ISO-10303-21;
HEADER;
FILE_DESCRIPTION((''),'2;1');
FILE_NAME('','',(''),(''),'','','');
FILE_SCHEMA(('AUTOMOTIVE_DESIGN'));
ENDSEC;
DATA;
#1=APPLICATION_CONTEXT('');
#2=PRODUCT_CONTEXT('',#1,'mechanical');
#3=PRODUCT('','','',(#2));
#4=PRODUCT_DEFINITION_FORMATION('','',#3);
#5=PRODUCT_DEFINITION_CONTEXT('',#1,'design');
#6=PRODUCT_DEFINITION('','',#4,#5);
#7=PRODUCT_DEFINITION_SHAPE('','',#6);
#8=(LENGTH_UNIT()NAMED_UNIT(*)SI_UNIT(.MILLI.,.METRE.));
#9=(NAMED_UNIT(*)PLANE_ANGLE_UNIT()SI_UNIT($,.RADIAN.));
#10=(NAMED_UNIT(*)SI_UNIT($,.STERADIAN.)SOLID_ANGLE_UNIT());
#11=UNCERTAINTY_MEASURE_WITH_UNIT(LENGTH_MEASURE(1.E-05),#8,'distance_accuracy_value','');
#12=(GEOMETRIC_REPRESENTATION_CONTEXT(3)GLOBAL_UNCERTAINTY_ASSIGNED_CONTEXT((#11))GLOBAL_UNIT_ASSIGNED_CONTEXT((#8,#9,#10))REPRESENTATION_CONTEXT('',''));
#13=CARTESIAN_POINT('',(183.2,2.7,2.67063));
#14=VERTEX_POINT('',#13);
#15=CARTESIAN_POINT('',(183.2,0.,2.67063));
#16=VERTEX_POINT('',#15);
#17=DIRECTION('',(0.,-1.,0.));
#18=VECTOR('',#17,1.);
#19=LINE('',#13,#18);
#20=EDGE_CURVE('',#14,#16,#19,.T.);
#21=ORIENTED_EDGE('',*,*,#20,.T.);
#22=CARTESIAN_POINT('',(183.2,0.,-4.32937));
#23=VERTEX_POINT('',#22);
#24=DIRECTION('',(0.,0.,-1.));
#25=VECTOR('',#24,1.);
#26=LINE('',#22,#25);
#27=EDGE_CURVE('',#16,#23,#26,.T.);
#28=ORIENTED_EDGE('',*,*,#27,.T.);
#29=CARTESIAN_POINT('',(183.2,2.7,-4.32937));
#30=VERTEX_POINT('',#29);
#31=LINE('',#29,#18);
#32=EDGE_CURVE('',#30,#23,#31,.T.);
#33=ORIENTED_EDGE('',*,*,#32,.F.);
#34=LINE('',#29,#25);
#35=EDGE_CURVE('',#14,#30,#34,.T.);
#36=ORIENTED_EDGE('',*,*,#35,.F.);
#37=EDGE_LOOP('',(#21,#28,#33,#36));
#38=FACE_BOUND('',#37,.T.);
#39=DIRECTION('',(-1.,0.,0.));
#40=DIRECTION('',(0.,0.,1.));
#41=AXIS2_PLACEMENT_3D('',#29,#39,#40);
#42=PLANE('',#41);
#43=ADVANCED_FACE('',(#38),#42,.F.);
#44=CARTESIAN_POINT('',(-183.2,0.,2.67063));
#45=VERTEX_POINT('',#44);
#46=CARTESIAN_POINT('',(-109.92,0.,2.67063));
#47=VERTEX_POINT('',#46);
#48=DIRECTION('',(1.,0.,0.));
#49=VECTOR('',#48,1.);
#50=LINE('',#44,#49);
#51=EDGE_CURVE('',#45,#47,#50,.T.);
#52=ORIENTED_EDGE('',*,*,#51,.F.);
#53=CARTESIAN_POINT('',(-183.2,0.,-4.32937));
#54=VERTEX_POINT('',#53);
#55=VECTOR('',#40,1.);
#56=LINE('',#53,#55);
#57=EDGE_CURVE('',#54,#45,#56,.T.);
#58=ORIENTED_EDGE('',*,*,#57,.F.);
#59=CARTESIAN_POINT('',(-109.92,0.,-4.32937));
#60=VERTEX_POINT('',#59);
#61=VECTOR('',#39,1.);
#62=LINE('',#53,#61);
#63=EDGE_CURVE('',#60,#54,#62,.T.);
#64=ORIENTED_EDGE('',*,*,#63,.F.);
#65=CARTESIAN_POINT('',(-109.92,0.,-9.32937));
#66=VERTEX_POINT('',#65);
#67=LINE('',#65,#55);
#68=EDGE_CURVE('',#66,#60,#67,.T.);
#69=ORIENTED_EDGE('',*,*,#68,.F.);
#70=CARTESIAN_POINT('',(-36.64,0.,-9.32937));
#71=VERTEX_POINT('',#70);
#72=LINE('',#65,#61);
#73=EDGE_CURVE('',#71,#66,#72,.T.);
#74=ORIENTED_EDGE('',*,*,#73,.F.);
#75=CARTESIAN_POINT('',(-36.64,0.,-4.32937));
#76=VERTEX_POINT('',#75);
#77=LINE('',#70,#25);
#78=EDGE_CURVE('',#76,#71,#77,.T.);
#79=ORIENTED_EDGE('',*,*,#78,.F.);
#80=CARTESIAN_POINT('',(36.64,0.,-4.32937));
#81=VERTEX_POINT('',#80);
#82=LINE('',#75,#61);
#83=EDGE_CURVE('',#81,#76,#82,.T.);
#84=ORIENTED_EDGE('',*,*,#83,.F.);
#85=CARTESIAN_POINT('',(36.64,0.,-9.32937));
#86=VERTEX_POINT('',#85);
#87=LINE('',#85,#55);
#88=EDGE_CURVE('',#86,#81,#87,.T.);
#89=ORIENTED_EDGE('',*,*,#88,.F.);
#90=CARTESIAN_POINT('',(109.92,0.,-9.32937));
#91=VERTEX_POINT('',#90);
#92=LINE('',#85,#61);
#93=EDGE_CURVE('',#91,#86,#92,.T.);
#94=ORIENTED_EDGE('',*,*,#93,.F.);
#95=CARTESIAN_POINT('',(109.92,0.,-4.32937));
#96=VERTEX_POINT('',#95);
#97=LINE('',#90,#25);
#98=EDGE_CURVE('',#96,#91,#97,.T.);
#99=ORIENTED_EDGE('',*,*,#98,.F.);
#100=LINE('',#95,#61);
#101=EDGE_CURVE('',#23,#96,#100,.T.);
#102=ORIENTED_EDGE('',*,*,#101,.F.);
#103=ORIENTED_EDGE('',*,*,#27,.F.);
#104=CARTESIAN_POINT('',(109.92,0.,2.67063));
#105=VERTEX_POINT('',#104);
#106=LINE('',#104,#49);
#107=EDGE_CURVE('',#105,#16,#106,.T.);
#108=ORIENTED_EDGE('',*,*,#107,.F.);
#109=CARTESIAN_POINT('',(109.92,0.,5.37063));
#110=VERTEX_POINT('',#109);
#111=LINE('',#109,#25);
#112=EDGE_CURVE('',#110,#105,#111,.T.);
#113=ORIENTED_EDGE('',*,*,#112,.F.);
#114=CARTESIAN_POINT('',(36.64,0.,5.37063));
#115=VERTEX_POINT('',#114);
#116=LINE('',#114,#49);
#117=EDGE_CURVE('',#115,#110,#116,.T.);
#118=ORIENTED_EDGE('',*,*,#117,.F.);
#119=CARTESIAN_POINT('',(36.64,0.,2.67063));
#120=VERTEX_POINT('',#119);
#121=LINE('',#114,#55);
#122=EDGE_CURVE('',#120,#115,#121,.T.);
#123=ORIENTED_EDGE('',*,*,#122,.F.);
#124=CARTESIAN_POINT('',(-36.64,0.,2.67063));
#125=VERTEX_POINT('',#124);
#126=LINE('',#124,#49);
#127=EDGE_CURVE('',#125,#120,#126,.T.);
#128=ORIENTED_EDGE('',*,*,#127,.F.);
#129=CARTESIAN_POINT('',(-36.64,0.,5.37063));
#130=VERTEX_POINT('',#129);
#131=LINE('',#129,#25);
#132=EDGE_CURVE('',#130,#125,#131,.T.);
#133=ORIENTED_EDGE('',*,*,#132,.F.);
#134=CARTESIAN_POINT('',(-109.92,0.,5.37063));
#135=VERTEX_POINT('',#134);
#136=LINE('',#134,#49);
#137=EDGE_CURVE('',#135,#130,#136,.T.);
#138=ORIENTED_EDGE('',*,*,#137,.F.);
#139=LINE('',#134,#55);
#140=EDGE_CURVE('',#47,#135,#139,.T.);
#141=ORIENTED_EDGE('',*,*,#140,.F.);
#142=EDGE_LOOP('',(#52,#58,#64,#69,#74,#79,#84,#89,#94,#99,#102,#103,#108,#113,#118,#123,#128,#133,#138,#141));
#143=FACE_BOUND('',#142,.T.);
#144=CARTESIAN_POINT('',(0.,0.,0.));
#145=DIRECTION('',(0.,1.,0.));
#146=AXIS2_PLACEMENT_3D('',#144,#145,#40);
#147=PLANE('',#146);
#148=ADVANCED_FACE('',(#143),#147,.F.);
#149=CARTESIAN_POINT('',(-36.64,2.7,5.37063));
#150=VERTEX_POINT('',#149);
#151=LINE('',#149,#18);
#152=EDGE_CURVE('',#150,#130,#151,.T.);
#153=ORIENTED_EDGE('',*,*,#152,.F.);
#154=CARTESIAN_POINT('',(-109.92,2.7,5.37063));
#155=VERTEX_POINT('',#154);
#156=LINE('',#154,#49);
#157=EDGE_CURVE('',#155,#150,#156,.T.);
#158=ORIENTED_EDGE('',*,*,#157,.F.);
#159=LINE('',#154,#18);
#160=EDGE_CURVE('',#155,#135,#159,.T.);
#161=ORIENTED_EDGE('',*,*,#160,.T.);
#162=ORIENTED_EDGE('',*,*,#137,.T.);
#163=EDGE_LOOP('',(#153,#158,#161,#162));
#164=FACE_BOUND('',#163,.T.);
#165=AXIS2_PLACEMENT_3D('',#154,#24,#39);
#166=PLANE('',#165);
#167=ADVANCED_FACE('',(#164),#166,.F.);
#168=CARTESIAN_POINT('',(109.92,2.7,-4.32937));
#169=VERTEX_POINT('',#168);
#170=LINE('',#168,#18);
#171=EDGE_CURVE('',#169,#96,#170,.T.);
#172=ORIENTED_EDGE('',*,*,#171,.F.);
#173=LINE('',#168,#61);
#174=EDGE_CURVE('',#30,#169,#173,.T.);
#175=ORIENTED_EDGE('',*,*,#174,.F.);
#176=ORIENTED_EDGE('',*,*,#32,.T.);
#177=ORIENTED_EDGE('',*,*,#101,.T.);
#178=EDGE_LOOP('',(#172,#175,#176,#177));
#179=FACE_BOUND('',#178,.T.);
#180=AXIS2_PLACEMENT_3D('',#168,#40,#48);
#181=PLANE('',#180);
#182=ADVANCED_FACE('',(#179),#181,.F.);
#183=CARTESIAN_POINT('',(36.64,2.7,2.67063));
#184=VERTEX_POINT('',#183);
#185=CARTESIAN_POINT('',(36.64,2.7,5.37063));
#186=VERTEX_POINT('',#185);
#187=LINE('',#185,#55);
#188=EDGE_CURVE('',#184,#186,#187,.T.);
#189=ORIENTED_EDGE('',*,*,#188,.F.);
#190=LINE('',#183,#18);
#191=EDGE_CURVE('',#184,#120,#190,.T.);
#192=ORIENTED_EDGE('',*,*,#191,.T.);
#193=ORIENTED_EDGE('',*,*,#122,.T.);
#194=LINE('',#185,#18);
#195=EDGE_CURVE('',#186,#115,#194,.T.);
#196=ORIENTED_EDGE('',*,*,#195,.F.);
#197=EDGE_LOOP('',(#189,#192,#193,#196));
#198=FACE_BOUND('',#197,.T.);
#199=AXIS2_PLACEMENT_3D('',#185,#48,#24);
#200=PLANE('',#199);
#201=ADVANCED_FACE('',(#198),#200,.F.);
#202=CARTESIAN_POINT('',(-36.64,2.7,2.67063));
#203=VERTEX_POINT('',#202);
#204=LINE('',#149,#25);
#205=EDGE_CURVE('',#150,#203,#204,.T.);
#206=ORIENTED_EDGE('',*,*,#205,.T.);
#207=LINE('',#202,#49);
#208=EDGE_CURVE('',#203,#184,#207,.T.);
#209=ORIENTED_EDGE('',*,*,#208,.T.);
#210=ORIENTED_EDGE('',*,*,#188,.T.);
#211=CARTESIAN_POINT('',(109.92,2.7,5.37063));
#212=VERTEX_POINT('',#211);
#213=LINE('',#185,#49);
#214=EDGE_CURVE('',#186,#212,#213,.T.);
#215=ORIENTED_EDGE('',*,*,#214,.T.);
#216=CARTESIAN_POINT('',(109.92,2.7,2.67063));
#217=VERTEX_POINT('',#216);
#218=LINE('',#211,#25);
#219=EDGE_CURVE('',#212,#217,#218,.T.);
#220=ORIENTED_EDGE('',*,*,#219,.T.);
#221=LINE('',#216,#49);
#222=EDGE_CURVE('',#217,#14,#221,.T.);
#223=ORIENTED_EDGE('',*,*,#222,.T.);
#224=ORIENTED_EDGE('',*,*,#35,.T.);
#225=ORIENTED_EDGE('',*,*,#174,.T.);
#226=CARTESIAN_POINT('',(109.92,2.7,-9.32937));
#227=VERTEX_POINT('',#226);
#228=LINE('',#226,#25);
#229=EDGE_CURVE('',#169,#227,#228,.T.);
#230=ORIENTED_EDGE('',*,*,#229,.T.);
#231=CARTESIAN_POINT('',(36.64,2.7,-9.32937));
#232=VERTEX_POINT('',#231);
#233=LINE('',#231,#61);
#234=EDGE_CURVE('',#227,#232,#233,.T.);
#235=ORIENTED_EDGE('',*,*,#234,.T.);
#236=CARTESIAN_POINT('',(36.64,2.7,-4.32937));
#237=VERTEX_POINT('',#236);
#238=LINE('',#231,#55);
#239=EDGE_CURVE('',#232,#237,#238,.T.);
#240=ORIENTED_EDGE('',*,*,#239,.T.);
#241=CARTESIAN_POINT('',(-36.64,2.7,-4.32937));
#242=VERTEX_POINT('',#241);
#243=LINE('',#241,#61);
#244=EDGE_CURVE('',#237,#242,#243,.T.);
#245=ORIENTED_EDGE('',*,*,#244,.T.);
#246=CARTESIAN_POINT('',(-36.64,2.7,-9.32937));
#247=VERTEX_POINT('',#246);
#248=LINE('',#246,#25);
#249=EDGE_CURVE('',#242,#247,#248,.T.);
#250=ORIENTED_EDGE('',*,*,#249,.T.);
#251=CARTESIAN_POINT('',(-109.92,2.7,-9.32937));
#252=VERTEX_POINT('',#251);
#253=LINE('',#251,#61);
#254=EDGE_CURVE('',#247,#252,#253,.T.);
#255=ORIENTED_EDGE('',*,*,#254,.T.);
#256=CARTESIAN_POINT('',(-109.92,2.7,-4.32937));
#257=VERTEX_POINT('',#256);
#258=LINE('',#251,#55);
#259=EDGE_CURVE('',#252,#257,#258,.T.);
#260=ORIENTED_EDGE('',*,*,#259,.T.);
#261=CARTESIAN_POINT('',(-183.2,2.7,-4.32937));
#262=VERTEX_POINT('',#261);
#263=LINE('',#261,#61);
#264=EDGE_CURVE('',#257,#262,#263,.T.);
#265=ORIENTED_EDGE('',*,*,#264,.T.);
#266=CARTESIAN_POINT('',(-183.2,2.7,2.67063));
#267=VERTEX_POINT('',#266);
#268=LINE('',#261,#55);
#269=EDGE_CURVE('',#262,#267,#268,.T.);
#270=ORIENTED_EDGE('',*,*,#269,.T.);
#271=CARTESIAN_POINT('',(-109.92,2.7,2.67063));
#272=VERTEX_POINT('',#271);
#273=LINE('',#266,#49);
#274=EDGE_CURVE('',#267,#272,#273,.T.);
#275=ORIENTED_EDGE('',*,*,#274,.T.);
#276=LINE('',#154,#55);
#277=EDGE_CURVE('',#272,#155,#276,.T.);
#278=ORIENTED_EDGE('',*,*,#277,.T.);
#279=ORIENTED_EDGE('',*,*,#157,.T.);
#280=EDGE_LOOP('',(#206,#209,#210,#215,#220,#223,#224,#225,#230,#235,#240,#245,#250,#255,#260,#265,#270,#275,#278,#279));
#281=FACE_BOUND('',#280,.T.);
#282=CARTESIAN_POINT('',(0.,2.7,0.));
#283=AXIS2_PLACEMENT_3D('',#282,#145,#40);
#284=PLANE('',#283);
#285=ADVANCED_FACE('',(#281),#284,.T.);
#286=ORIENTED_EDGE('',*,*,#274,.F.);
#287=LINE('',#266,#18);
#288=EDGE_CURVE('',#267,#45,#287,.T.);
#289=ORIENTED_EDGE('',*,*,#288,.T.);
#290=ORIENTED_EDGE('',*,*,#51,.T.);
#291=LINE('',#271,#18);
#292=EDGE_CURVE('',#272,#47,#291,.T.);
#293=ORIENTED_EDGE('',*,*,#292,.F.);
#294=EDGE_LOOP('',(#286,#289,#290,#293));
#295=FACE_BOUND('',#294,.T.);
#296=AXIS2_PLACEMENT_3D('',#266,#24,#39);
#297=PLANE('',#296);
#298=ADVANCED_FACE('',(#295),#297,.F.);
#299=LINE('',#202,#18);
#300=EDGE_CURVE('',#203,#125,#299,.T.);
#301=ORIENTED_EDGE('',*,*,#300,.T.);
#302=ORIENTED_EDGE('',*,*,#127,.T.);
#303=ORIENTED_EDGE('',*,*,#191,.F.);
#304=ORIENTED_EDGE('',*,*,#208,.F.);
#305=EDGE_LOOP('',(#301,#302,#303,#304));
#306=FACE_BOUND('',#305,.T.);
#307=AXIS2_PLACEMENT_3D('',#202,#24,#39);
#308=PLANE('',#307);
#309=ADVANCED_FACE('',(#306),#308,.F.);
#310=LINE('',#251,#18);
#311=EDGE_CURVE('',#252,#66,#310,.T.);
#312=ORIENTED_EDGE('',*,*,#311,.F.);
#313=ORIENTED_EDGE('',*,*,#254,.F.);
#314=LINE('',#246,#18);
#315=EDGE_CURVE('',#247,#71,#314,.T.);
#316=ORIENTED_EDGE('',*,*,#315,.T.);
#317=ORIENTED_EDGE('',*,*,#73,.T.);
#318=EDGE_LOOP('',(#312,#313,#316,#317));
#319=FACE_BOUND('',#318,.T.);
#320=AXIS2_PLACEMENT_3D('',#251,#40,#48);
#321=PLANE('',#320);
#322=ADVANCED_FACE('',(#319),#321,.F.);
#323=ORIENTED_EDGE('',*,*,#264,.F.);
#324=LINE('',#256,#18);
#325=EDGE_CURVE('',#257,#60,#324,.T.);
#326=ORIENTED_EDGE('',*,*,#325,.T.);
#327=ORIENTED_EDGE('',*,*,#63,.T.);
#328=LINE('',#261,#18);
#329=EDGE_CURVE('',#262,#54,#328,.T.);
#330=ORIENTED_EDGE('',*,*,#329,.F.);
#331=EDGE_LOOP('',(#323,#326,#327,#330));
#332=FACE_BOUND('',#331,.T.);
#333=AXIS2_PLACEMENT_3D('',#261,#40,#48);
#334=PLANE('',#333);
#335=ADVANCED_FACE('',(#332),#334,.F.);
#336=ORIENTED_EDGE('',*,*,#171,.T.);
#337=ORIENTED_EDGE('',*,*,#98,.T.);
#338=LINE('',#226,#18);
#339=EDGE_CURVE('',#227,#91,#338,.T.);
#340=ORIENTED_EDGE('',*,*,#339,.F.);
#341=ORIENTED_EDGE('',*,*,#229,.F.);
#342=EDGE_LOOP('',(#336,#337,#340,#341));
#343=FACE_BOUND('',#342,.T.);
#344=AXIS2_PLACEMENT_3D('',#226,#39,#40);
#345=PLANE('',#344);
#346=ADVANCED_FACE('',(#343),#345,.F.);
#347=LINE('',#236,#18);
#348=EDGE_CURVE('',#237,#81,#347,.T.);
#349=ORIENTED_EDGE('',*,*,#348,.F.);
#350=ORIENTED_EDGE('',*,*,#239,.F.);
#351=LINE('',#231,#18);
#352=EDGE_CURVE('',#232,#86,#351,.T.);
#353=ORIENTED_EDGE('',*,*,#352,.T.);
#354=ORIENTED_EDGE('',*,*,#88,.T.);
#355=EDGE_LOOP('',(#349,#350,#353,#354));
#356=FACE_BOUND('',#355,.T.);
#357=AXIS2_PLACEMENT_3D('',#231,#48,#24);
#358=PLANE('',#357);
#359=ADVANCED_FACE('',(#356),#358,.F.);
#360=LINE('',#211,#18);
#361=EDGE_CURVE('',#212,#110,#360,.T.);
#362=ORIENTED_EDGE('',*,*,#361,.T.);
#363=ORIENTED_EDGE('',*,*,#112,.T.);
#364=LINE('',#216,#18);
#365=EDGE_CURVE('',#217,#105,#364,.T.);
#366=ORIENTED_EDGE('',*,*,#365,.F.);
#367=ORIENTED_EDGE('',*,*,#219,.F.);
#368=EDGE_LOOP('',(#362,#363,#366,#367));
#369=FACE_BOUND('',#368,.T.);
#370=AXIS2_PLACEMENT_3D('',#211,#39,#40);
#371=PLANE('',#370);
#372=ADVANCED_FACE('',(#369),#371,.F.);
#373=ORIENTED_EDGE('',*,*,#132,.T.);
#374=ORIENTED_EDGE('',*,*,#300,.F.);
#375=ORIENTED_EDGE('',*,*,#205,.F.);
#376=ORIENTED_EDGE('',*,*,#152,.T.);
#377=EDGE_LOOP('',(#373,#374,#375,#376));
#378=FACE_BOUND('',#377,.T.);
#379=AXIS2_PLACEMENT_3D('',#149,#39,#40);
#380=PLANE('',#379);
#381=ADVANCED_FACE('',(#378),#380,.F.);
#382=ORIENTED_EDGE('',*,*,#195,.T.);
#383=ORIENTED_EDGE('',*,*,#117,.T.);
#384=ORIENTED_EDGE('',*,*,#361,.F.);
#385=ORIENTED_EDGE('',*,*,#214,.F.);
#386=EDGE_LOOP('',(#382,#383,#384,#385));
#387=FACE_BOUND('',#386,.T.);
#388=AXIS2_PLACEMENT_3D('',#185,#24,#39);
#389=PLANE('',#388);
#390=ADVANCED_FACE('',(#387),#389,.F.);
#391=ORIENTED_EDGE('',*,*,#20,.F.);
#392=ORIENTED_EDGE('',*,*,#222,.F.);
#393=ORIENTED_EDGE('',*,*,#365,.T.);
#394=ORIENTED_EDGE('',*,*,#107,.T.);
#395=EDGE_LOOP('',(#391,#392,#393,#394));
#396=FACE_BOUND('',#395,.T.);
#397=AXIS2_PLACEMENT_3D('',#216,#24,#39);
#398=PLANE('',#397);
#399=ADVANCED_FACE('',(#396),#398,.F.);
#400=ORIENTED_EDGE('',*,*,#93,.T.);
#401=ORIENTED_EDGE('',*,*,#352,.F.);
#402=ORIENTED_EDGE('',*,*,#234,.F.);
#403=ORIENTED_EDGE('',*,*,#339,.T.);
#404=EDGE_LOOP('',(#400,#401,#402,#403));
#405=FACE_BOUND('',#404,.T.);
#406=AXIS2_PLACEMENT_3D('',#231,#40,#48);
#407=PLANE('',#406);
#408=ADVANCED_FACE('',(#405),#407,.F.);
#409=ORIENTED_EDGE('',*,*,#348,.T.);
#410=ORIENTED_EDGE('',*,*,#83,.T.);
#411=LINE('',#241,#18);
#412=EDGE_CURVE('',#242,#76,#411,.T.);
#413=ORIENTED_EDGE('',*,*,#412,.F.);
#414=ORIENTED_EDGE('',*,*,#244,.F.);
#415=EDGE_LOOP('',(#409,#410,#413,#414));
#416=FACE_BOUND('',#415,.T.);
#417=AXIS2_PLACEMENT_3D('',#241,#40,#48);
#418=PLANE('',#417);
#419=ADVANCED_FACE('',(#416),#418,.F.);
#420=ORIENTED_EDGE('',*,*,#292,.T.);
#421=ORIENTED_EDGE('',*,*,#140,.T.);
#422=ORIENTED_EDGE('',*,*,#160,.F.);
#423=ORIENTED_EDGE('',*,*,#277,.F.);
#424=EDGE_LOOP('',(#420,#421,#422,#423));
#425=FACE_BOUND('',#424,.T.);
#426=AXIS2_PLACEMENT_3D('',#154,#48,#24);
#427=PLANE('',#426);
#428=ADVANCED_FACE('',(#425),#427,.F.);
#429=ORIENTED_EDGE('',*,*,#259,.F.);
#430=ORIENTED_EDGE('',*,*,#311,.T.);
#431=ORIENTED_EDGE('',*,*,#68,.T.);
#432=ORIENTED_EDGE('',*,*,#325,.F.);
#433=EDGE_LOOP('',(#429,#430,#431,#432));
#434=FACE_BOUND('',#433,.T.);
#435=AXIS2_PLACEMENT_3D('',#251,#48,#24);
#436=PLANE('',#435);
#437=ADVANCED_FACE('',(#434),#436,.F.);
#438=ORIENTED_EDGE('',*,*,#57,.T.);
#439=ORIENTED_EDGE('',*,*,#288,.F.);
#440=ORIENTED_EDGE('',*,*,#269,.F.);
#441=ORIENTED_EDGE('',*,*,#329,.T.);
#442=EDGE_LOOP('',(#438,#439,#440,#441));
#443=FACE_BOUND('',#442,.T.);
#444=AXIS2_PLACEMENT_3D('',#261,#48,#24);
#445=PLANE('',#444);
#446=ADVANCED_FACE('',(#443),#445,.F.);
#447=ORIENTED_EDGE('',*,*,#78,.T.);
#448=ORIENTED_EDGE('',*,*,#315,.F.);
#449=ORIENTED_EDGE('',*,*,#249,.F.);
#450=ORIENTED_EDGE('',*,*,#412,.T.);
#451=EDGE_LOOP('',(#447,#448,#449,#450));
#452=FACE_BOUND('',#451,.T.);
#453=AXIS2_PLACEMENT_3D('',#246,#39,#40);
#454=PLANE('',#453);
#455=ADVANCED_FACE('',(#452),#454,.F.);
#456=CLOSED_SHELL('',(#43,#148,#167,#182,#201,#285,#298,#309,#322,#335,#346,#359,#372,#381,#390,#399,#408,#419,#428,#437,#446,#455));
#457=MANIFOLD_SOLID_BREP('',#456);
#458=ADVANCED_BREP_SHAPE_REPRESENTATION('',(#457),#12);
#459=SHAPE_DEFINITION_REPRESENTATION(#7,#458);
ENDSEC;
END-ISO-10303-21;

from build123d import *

# Parameters (mm, degrees)
BOSS_EXTRUDE1_DEPTH = 2.7


with BuildPart() as part:
    # Sketch1 → Boss-Extrude1 (new body)
    with BuildSketch(Plane(origin=(0, 0, 0), x_dir=(1, 0, 0), z_dir=(0, 1, 0))):
        Polygon((-183.2, 4.329370209), (-109.92, 4.329370209), (-109.92, 9.329370209), (-36.64, 9.329370209), (-36.64, 4.329370209), (36.64, 4.329370209), (36.64, 9.329370209), (109.92, 9.329370209), (109.92, 4.329370209), (183.2, 4.329370209), (183.2, -2.670629791), (109.92, -2.670629791), (109.92, -5.370629791), (36.64, -5.370629791), (36.64, -2.670629791), (-36.64, -2.670629791), (-36.64, -5.370629791), (-109.92, -5.370629791), (-109.92, -2.670629791), (-183.2, -2.670629791), align=None)
    extrude(amount=BOSS_EXTRUDE1_DEPTH)


solid = part.part
